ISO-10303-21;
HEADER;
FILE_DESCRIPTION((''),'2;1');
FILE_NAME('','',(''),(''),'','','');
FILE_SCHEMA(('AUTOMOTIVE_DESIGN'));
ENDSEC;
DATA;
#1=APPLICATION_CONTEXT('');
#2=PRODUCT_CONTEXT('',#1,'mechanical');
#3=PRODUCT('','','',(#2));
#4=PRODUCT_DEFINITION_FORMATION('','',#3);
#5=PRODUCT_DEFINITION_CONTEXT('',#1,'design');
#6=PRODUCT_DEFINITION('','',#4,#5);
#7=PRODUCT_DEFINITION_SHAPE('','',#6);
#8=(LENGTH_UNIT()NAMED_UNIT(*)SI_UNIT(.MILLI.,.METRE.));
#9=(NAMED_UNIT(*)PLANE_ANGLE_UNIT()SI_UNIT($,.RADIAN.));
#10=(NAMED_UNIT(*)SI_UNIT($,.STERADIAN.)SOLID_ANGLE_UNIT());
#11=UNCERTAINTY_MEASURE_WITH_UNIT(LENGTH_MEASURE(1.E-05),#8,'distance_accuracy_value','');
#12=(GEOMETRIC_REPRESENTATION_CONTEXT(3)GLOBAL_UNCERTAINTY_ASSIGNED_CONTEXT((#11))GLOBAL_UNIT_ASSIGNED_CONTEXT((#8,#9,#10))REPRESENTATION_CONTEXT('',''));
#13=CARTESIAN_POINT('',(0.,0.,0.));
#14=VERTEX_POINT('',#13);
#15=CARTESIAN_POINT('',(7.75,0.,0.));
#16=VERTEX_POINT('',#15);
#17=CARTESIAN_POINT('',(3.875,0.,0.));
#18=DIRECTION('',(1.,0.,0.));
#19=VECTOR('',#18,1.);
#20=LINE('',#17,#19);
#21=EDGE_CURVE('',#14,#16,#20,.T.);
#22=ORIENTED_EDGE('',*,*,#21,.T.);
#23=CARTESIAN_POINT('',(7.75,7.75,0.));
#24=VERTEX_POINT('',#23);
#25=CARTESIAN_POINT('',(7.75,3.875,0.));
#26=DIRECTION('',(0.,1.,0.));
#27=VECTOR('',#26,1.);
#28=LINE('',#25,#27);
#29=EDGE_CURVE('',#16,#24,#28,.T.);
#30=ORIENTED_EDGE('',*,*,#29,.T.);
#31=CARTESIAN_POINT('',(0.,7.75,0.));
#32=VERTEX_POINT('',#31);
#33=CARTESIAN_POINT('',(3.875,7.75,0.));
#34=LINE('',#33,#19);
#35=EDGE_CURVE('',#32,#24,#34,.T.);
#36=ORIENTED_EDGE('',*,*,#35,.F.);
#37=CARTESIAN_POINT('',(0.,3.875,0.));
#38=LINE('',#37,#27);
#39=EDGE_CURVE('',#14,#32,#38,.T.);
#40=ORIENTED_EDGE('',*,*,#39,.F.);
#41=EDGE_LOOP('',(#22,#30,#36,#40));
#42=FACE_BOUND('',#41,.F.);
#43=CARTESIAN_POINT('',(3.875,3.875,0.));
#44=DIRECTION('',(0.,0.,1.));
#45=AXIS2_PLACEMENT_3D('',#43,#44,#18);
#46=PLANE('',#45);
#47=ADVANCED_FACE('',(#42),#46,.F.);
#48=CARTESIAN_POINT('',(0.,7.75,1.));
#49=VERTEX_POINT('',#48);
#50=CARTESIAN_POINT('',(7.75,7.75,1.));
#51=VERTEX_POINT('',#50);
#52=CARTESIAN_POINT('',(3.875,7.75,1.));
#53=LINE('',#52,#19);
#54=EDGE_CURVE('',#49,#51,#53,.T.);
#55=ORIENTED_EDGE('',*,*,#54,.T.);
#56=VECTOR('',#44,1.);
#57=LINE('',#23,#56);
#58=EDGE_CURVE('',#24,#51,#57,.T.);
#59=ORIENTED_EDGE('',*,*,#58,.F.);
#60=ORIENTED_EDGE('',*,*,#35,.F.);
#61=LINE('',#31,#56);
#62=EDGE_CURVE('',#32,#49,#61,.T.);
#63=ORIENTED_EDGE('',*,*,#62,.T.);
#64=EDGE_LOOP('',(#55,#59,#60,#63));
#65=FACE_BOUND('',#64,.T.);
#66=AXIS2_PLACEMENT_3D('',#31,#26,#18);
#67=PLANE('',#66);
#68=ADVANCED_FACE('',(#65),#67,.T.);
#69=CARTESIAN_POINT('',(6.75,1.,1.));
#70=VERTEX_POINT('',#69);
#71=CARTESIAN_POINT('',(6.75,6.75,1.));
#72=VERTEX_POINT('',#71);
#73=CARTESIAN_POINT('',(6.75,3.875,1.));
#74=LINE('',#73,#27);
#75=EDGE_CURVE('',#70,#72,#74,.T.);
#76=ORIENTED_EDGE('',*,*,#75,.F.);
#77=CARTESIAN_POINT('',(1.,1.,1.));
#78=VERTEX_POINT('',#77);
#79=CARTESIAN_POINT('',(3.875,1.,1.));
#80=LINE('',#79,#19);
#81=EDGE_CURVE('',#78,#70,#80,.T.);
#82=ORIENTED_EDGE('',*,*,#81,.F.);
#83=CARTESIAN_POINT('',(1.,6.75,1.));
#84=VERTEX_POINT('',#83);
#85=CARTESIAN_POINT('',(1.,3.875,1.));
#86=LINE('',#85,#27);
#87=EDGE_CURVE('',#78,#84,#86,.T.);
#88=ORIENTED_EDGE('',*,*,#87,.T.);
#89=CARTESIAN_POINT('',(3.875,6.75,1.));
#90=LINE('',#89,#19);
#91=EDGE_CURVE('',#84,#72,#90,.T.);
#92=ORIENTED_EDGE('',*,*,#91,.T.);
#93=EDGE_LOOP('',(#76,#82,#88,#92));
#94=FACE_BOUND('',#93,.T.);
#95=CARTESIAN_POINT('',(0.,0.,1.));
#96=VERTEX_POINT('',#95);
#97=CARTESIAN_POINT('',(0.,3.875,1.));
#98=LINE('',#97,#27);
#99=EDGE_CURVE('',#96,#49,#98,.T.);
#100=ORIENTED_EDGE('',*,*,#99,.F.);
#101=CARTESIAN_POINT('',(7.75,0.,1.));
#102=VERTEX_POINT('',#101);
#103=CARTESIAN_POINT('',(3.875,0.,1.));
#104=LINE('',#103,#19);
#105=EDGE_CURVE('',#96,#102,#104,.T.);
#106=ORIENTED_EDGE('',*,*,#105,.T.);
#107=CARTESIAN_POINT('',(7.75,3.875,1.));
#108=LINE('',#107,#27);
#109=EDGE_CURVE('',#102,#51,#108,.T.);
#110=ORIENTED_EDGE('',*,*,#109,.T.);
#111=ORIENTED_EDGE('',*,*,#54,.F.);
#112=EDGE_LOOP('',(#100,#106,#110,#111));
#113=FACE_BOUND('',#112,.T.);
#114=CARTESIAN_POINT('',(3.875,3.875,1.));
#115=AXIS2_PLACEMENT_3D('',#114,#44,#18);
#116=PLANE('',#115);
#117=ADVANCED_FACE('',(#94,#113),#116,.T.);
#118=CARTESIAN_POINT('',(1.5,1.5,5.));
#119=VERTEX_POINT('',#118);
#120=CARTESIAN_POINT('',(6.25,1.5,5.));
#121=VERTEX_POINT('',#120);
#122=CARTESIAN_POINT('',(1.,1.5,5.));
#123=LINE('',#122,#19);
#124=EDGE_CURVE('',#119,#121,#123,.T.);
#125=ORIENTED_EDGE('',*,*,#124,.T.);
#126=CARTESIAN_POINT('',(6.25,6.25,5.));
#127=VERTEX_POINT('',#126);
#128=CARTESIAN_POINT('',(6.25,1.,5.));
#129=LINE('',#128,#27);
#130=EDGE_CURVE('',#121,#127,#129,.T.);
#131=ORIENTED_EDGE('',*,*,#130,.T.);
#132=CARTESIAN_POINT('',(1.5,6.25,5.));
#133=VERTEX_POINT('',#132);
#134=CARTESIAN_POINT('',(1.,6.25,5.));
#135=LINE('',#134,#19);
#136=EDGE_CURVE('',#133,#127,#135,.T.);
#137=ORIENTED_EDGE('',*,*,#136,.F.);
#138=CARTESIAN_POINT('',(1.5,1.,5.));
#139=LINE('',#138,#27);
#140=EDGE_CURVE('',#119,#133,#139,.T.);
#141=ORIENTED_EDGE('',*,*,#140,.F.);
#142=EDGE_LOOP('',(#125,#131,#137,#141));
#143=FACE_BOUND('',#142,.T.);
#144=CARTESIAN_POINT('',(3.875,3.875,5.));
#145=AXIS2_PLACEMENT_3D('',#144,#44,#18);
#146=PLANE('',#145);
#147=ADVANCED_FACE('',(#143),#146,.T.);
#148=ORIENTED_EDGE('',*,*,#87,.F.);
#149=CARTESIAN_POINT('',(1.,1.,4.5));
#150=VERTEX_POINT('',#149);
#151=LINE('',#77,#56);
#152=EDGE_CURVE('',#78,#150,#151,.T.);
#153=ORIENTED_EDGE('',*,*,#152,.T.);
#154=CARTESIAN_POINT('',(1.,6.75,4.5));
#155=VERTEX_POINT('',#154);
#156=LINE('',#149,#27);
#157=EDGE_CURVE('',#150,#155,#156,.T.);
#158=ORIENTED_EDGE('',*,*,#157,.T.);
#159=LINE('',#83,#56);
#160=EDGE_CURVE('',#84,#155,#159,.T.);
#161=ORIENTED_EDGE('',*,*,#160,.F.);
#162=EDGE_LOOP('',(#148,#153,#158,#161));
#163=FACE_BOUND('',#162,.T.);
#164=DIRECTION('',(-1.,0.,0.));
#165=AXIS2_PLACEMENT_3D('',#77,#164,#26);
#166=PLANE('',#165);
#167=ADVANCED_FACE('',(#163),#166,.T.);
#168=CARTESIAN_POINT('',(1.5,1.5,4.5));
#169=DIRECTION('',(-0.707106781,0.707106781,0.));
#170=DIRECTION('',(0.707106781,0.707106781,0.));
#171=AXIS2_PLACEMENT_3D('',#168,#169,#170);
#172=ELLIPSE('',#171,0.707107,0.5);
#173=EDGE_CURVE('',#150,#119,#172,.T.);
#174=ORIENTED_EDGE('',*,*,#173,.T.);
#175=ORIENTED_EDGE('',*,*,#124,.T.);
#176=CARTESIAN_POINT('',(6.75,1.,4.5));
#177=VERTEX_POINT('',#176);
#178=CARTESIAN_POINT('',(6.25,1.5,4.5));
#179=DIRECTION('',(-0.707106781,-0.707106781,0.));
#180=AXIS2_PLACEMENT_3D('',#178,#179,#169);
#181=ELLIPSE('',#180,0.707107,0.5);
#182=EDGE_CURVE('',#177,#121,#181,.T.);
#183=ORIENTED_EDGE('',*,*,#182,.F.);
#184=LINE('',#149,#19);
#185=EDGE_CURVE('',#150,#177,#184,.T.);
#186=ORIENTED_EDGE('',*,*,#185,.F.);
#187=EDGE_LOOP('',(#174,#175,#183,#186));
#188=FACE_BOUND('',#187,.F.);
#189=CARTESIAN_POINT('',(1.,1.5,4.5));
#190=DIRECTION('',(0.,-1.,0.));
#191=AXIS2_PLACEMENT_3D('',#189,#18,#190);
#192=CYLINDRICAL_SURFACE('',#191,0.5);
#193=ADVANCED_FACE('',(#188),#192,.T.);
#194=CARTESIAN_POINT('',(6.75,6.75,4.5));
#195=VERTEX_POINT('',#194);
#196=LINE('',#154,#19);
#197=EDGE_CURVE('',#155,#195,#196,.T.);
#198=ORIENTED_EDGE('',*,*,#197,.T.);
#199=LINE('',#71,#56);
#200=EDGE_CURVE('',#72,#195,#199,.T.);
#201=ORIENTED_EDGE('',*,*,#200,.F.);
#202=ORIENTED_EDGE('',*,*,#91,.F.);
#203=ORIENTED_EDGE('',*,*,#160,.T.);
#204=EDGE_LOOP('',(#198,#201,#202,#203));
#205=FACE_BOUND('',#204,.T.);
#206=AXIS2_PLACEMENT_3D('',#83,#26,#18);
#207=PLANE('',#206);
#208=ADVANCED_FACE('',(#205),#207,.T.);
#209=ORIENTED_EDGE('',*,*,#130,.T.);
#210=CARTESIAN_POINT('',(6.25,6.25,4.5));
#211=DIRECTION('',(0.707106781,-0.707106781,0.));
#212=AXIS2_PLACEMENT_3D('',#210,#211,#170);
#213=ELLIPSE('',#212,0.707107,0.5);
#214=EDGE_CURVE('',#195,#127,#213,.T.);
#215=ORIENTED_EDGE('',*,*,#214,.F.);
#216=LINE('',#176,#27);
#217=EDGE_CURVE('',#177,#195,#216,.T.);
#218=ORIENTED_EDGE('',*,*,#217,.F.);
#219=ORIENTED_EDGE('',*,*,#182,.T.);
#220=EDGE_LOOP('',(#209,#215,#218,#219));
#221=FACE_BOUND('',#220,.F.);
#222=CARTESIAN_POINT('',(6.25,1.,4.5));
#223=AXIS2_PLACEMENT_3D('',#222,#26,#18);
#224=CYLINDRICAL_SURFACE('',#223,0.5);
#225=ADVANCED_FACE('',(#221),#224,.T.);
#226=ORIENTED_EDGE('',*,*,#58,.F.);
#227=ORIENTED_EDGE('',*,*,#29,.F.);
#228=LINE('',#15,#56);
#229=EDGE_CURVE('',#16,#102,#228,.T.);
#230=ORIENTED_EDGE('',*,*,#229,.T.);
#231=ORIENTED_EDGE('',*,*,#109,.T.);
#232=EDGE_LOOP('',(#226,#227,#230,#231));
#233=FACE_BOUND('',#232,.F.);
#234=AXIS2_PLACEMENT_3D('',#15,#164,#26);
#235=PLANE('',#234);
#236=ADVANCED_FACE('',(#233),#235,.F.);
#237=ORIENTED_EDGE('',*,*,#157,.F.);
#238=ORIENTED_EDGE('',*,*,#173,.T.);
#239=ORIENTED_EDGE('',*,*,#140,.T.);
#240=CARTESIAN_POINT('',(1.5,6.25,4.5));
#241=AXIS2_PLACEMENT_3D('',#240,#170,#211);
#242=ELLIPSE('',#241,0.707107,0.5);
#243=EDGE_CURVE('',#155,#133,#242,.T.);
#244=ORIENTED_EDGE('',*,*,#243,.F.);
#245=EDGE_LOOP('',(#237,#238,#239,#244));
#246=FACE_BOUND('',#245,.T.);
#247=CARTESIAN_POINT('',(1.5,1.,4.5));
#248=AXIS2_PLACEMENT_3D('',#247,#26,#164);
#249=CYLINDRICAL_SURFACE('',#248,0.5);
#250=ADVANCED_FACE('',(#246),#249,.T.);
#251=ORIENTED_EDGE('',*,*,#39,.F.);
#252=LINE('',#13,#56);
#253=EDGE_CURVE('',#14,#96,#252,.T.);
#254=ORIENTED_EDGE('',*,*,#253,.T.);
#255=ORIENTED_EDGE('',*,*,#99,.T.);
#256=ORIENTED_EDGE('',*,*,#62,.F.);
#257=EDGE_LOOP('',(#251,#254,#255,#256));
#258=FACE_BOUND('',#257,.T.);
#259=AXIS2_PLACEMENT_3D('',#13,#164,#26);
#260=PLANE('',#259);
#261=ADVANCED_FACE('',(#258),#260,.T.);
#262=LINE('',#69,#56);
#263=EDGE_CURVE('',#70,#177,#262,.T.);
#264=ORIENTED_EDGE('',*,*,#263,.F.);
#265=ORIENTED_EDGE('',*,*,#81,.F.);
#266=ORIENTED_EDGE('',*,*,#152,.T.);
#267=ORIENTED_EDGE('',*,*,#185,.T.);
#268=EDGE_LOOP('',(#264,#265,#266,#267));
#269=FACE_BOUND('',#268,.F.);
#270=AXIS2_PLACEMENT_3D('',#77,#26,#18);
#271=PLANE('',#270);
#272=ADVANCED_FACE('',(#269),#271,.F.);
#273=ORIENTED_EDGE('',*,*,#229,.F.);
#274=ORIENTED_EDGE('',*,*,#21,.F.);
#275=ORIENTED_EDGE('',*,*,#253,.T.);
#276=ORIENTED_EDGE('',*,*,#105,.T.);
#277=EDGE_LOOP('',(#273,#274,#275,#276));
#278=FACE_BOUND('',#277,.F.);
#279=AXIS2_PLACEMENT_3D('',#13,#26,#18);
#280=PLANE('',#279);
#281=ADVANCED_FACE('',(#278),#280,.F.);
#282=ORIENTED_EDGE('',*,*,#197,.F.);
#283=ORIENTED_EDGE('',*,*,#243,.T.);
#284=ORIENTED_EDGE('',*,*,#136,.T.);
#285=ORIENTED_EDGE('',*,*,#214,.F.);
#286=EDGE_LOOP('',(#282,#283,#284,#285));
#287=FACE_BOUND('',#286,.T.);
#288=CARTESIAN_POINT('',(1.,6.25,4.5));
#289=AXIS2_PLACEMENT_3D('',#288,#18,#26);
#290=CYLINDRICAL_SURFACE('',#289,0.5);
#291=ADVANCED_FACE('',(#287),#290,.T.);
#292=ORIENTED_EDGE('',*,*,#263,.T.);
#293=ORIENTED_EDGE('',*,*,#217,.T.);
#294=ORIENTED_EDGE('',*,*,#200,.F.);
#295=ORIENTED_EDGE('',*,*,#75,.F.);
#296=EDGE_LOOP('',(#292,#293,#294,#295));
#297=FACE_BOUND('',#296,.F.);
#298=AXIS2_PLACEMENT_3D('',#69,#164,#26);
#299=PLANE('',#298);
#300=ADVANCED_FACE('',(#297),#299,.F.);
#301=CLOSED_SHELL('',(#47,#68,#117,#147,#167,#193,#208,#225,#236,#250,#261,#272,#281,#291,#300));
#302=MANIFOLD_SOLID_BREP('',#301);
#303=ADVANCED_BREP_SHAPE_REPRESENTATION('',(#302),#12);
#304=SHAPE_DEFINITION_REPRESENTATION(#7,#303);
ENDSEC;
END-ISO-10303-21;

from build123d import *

# Parameters (mm, degrees)
SKETCH_W     = 7.75
SKETCH_H     = 7.75
PAD_DEPTH    = 1
SKETCH001_W  = 5.75
SKETCH001_H  = 5.75
PAD001_DEPTH = 4
FILLET_R     = 0.5


with BuildPart() as part:
    # Sketch → Pad (new body)
    with BuildSketch(Plane.XY):
        with Locations((3.875, 3.875)):
            Rectangle(SKETCH_W, SKETCH_H)
    extrude(amount=PAD_DEPTH)

    # Sketch001 (on Face6 of Pad) → Pad001 (join)
    with BuildSketch(Plane.XY.offset(1)):
        with Locations((3.875, 3.875)):
            Rectangle(SKETCH001_W, SKETCH001_H)
    extrude(amount=PAD001_DEPTH)

    # Fillet
    fillet_edges = [part.edges().sort_by_distance(p)[0] for p in [
        (3.875, 6.75, 5),
        (6.75, 3.875, 5),
        (1, 3.875, 5),
        (3.875, 1, 5),
    ]]
    fillet(fillet_edges, radius=FILLET_R)


solid = part.part
